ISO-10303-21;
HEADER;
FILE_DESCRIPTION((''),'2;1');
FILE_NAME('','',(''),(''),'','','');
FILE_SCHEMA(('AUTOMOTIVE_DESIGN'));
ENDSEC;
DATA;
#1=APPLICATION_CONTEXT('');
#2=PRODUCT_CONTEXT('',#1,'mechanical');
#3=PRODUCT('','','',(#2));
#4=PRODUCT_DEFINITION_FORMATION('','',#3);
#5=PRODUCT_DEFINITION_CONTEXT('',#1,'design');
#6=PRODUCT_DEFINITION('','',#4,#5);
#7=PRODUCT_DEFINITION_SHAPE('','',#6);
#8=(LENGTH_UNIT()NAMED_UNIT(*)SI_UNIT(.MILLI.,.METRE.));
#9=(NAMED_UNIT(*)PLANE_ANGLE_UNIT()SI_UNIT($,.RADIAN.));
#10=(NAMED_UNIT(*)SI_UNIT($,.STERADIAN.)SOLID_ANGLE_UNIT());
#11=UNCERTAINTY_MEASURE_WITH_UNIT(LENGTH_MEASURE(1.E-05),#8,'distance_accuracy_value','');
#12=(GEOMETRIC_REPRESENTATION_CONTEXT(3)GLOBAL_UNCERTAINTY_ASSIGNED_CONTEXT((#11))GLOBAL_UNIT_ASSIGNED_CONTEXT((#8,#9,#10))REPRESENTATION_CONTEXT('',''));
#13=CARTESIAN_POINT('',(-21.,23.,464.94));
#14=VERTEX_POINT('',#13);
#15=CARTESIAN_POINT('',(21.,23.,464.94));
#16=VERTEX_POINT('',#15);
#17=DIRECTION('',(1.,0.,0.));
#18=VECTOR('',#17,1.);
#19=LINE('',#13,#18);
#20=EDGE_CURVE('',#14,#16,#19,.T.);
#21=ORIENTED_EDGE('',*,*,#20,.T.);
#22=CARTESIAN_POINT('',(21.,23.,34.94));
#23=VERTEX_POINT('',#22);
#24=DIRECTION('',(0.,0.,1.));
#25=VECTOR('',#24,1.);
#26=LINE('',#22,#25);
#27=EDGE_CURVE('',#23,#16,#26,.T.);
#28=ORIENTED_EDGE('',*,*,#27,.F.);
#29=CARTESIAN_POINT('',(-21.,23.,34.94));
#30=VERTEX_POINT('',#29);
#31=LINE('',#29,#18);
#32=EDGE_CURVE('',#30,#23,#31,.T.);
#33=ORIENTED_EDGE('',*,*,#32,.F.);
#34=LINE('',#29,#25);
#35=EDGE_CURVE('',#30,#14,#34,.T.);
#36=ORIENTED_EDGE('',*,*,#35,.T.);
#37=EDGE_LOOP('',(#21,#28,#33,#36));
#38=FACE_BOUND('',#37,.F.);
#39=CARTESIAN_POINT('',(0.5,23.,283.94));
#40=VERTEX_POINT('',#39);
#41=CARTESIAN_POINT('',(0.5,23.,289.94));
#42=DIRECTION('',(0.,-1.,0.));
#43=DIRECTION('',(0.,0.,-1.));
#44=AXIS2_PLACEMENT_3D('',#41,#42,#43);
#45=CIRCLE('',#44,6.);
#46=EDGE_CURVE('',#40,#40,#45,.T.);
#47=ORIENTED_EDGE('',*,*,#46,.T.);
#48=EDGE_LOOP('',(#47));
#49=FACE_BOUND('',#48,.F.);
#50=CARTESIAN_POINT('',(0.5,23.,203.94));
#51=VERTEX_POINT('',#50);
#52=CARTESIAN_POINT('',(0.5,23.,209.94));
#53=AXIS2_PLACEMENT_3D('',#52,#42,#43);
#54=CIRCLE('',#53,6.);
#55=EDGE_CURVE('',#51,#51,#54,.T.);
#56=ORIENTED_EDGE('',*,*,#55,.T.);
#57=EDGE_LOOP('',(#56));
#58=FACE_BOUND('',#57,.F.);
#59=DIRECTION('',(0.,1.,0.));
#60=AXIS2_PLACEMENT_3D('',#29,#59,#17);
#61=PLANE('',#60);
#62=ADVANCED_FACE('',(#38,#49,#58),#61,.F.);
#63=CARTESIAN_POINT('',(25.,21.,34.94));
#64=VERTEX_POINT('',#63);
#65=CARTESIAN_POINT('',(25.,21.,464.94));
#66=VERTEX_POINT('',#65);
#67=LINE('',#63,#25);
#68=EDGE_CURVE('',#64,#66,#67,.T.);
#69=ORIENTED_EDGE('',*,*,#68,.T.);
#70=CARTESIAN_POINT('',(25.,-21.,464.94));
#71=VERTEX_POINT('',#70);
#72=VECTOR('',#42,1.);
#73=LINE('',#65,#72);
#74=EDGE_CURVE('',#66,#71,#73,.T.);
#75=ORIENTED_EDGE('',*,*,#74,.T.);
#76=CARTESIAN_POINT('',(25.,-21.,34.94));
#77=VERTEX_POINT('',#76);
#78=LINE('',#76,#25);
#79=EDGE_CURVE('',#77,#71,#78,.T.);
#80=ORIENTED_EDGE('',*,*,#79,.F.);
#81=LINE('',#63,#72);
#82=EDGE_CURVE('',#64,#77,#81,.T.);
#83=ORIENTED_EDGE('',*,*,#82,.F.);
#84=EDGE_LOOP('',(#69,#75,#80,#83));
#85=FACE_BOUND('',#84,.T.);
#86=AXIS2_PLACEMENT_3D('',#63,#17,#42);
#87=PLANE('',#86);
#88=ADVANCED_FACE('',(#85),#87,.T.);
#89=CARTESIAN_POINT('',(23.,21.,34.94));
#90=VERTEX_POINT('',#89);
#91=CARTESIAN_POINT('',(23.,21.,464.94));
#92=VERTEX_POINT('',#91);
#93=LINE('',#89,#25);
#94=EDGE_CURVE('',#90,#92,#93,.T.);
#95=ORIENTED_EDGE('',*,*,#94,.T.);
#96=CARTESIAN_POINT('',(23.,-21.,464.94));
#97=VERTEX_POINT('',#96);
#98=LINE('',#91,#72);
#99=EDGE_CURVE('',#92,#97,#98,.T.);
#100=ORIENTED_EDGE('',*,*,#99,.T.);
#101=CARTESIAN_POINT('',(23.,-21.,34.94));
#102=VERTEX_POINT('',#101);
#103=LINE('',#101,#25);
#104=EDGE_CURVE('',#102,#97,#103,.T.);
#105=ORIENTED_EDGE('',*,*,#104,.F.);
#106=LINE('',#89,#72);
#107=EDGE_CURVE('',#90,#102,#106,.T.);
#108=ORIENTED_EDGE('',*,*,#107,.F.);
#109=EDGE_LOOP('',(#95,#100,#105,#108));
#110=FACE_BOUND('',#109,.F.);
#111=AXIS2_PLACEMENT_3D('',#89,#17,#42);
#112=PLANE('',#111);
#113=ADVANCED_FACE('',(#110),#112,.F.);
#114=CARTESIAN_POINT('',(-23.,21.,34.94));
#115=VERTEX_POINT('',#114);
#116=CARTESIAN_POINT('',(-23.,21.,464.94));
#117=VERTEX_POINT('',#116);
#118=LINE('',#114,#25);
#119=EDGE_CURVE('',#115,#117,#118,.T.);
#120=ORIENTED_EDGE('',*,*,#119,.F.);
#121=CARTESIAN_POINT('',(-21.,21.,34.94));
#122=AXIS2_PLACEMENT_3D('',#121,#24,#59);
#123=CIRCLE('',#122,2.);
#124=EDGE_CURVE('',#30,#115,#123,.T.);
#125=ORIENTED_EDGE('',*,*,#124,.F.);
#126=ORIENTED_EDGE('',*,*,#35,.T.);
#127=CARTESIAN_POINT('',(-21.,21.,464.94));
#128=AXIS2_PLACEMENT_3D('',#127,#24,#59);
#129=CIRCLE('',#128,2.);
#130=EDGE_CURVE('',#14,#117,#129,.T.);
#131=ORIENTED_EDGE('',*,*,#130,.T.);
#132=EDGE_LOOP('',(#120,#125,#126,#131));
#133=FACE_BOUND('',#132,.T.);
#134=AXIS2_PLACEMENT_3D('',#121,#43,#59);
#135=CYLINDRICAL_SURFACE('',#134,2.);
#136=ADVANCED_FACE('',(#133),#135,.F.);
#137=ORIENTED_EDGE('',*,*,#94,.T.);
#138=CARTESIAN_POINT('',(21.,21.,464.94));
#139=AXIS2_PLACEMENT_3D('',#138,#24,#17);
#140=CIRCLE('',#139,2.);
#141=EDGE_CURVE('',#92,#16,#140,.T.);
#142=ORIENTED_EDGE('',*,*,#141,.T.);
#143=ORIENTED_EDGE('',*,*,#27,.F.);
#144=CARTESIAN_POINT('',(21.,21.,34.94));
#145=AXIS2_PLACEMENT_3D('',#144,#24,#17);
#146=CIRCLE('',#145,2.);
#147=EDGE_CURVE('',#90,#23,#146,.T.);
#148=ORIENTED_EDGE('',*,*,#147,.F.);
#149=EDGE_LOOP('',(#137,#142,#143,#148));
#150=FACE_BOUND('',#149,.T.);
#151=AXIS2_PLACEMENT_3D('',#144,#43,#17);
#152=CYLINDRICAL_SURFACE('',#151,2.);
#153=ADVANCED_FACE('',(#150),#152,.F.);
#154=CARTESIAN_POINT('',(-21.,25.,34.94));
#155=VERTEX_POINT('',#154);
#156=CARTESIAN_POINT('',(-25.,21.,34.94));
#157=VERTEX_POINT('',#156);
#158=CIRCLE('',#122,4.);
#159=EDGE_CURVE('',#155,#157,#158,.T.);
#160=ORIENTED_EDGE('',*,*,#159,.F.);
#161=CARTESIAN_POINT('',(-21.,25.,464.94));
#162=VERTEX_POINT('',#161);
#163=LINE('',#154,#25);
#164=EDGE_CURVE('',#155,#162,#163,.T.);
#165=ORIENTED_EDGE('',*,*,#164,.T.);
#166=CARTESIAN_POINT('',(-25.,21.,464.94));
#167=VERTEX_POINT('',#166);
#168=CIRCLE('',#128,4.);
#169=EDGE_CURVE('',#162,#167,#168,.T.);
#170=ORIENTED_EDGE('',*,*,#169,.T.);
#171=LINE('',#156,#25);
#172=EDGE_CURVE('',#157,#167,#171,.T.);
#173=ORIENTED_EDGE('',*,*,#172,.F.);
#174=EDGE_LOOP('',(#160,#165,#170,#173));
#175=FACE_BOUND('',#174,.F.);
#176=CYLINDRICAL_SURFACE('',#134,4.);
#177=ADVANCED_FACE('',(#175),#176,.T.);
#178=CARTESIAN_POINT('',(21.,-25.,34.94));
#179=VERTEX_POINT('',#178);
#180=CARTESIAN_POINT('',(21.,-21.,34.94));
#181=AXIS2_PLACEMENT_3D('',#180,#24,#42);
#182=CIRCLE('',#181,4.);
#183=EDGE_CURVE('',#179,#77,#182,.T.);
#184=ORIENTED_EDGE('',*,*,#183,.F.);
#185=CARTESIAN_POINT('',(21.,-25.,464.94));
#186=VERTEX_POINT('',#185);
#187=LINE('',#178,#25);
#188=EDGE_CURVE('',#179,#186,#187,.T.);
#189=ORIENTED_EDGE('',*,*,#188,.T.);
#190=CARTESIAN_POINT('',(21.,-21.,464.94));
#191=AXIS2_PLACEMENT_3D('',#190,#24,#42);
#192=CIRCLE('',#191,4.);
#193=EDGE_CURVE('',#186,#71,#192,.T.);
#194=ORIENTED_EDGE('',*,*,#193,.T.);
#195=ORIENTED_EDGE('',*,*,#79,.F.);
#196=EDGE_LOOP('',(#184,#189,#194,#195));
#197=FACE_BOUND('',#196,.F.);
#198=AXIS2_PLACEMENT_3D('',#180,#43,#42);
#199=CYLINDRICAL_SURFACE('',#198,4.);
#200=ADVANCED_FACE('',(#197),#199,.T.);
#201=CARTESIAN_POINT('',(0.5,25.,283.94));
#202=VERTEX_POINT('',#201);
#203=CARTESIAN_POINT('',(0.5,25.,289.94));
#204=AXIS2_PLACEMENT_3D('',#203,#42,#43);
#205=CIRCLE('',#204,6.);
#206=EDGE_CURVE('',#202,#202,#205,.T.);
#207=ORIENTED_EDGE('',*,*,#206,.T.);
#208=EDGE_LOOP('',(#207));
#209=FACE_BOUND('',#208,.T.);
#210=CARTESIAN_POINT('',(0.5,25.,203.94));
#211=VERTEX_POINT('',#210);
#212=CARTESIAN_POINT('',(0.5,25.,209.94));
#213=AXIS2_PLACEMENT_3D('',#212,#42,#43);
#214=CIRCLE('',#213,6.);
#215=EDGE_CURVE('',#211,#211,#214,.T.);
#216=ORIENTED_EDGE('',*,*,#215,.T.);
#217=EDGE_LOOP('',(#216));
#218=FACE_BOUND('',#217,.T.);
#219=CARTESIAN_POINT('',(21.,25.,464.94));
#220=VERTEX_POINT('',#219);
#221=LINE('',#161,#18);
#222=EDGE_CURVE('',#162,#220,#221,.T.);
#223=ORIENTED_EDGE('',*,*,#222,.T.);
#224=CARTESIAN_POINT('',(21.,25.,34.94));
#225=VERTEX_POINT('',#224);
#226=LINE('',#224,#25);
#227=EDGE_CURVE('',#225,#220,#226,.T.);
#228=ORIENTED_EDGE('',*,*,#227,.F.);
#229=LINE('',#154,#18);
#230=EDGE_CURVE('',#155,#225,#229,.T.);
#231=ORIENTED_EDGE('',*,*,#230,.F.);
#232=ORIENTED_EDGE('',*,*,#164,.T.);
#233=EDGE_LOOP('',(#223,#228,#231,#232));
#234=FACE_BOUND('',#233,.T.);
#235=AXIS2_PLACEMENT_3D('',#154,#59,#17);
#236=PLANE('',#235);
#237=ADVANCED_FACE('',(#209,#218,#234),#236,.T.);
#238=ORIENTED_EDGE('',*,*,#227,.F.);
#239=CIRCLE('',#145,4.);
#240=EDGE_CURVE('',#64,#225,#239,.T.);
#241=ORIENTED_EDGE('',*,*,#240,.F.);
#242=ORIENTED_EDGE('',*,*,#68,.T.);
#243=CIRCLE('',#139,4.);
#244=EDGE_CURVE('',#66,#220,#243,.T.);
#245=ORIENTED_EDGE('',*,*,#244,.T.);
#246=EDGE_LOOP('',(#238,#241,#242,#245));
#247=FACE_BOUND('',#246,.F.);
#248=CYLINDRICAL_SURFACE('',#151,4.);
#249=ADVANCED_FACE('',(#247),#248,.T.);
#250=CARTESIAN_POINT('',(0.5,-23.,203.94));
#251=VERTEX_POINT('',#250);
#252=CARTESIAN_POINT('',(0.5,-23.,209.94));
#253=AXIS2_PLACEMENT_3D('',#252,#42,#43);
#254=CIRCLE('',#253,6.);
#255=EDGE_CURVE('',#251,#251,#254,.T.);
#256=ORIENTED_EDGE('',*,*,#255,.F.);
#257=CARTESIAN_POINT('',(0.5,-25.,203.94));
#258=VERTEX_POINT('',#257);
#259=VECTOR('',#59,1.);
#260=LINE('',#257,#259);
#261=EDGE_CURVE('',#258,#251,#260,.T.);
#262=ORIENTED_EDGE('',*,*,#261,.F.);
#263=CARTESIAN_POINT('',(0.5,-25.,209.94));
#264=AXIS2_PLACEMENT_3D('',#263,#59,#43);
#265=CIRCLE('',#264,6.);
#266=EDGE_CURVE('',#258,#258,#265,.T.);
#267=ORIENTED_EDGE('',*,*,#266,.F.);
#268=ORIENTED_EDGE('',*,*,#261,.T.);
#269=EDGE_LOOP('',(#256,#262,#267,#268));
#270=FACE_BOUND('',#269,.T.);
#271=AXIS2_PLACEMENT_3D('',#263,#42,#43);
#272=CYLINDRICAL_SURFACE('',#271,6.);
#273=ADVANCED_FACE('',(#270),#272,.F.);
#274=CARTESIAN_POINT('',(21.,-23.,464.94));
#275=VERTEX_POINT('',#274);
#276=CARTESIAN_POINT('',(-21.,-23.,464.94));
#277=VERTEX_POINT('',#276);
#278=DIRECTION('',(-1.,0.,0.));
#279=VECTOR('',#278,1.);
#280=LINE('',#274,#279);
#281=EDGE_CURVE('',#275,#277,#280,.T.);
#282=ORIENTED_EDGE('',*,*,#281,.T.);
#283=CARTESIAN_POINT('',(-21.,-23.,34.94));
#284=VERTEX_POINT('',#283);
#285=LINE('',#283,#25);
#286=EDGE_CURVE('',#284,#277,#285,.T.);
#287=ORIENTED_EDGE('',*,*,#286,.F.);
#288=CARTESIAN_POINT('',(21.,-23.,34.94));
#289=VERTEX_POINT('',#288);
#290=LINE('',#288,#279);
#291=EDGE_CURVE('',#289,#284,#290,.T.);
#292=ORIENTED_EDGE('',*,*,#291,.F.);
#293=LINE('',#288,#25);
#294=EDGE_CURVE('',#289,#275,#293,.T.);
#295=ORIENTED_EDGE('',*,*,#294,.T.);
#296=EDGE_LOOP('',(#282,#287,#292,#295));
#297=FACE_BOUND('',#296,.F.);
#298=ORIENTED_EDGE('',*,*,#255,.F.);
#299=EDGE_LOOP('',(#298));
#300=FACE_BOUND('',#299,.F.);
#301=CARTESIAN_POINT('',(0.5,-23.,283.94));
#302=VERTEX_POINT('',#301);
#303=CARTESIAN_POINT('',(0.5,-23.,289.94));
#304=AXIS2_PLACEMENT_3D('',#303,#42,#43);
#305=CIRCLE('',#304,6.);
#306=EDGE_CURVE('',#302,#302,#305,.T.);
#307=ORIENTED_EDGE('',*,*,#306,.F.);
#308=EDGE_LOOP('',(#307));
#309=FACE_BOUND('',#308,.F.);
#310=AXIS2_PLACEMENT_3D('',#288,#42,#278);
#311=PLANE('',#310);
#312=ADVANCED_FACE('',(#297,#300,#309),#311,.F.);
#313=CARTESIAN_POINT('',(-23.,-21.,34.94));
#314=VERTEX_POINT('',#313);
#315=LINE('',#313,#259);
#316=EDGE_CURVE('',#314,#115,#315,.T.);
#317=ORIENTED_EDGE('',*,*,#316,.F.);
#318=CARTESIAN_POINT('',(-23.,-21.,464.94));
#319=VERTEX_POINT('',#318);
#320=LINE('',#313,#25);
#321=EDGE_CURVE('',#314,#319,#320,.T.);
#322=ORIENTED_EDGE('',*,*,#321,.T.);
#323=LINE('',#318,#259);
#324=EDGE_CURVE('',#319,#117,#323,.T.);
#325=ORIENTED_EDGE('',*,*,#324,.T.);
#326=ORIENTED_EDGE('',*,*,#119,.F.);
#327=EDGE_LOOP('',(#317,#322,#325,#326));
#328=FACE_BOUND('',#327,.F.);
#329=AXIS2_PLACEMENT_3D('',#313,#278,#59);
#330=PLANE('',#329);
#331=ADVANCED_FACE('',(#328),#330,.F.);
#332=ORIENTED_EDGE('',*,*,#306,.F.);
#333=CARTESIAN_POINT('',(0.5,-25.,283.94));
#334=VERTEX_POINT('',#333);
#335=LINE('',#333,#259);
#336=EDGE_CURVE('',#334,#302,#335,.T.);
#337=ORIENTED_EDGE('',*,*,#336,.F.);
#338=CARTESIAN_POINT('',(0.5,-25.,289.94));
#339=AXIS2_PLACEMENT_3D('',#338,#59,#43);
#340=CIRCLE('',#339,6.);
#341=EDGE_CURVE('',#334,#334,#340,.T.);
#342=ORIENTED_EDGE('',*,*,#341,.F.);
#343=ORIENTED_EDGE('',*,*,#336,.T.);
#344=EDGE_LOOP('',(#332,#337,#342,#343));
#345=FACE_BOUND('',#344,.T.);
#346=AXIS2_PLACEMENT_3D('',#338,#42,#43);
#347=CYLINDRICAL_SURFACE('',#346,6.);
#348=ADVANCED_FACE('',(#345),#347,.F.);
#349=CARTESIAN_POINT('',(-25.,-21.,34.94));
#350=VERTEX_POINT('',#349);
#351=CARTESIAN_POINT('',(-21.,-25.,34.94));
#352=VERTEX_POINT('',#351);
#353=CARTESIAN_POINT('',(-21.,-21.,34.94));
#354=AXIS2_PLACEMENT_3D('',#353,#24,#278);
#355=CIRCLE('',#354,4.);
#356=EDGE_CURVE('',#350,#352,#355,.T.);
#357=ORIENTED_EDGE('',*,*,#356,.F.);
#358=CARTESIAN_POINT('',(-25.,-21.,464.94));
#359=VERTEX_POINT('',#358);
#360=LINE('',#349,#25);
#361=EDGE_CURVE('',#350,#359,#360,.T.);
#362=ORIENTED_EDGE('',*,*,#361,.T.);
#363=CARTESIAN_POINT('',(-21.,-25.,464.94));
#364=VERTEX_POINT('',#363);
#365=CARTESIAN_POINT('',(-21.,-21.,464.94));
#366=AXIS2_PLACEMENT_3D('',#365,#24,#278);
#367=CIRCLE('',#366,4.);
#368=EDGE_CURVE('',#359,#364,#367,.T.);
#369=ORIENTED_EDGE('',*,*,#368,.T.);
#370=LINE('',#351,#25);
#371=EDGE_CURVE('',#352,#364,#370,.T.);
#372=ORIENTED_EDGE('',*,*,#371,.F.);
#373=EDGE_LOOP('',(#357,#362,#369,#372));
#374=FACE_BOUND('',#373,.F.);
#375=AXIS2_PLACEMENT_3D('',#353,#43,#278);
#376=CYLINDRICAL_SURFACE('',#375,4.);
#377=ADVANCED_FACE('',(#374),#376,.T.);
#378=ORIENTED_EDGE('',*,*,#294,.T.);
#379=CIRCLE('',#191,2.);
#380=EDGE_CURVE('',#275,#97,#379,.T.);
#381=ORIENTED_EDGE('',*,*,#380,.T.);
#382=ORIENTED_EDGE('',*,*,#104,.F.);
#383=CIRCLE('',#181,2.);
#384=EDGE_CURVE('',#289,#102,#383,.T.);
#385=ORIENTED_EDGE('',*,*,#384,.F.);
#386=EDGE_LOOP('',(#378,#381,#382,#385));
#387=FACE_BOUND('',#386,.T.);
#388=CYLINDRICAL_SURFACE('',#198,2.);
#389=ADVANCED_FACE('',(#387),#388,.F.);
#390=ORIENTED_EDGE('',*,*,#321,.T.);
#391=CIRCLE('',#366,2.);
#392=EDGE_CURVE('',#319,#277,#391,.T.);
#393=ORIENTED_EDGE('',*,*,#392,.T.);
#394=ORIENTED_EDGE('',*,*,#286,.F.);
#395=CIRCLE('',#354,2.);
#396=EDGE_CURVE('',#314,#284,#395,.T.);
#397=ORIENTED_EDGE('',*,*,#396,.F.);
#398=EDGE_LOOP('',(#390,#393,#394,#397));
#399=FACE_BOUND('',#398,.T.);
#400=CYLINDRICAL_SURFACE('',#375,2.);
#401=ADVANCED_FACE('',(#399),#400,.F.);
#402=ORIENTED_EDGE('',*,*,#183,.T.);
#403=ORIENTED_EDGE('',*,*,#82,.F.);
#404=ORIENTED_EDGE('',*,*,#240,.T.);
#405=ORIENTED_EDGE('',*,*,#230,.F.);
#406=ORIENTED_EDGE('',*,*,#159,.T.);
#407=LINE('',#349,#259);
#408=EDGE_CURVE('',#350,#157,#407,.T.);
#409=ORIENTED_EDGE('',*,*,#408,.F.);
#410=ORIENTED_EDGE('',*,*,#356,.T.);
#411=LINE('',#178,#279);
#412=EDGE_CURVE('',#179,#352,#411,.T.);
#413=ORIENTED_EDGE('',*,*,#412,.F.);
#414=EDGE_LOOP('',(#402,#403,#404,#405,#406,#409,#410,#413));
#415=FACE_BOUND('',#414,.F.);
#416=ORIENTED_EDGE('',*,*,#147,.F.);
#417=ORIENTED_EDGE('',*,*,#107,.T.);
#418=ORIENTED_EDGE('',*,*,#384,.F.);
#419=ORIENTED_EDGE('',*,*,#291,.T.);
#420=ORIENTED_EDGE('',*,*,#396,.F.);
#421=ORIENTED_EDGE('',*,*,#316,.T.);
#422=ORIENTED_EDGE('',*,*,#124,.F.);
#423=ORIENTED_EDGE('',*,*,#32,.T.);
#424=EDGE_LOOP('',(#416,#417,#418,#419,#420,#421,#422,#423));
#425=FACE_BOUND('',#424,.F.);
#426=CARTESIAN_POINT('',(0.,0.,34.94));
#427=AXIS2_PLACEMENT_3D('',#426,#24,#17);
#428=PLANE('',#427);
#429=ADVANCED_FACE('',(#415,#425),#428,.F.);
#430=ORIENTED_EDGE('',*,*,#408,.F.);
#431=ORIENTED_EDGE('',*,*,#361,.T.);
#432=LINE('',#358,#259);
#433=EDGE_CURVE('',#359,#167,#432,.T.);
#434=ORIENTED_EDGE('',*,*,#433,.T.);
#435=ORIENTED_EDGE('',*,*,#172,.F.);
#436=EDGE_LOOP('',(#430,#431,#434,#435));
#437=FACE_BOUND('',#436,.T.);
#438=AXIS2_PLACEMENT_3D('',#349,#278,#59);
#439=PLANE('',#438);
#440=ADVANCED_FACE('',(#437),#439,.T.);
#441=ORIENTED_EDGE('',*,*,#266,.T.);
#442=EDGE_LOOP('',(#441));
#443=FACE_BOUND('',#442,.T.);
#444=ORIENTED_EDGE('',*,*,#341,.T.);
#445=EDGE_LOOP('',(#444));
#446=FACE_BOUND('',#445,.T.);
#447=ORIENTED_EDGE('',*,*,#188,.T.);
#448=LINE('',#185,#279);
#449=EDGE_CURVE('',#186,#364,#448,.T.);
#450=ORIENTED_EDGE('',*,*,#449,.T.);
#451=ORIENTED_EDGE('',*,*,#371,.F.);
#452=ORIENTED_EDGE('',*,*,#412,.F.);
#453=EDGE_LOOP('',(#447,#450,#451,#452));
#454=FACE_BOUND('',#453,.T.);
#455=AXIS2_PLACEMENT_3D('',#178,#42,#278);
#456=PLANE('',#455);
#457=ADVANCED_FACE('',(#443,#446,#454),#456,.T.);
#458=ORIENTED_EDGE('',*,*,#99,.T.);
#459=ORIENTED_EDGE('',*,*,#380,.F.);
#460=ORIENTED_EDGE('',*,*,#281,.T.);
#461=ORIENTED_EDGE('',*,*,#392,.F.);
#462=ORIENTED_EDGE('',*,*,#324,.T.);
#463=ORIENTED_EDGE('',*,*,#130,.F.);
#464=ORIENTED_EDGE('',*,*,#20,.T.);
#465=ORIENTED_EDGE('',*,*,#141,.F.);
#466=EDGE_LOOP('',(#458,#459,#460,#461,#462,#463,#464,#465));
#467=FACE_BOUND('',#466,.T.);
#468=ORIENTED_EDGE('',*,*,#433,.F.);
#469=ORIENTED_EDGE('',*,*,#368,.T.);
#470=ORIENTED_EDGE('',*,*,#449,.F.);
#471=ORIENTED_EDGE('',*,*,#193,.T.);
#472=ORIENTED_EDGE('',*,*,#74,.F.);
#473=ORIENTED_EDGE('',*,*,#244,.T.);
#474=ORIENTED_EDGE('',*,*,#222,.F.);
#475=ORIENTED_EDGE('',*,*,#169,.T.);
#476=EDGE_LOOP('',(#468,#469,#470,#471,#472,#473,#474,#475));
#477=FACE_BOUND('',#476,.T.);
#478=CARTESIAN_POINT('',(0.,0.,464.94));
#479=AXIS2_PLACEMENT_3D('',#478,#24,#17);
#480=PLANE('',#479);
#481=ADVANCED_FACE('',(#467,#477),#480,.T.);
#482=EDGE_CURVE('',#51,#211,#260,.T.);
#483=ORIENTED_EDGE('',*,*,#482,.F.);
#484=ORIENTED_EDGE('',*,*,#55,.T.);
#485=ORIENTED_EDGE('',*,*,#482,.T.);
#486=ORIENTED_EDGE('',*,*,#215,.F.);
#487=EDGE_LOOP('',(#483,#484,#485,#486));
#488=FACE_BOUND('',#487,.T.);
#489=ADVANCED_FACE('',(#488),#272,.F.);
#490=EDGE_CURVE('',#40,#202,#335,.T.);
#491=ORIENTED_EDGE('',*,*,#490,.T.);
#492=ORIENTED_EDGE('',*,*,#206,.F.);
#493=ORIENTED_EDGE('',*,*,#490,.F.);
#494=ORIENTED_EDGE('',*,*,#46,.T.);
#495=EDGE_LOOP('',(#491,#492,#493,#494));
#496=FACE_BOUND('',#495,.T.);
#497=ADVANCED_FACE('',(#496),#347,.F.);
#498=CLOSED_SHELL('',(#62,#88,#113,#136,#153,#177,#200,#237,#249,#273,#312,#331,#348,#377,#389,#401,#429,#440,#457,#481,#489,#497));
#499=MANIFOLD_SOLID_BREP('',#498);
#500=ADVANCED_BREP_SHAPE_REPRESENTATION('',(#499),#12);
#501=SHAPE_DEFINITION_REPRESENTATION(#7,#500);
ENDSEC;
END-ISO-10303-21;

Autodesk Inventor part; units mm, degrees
ref_plane "Start Plane" through (0, 0, 34.94) normal (0, 0, 1) x (1, 0, 0)
ref_plane "End Plane" through (0, 0, 464.94) normal (0, 0, 1) x (1, 0, 0)
sketch "Sketch" plane through (0, 0, 0) normal (0, 0, 1) x (1, 0, 0)
  line L0 (-25, -21) -> (-25, 21)
  line L1 (-21, 25) -> (21, 25)
  line L2 (25, 21) -> (25, -21)
  line L3 (21, -25) -> (-21, -25)
  arc A0 (-25, -21) -> (-21, -25) centre (-21, -21) ccw
  arc A1 (25, 21) -> (21, 25) centre (21, 21) ccw
  arc A2 (-21, 25) -> (-25, 21) centre (-21, 21) ccw
  arc A3 (21, -25) -> (25, -21) centre (21, -21) ccw
  arc A4 (-21, 23) -> (-23, 21) centre (-21, 21) ccw
  line L4 (-21, 23) -> (21, 23)
  arc A5 (23, 21) -> (21, 23) centre (21, 21) ccw
  line L5 (23, 21) -> (23, -21)
  arc A6 (21, -23) -> (23, -21) centre (21, -21) ccw
  line L6 (21, -23) -> (-21, -23)
  arc A7 (-23, -21) -> (-21, -23) centre (-21, -21) ccw
  line L7 (-23, -21) -> (-23, 21)
  line L8 (0, 36.1598) -> (0, -36.1598) construction
  line L9 (-36.1598, 0) -> (36.1598, 0) construction
  dimension "d7" = 4
  dimension "d9" = 50
  dimension "d11" = 50
  dimension "d12" = 2
  dimension "d15" = 25
  dimension "d16" = 25
extrude "Body" add sketch "Sketch" along normal up to surface (430 mm away) from surface at 34.94
sketch "Sketch3" plane through (0, 0, 0) normal (0, 0, 1) x (1, 0, 0)
  line L0 (0, 0) -> (10, 0)
ref_plane "Work Plane3" through (0, 0, 0) normal (0, -1, 0) x (1, 0, 0)
sketch "Sketch4" plane through (0, 0, 0) normal (0, -1, 0) x (1, 0, 0)
  line L0 (-2, 34.94) -> (12, 34.94)
  line L1 (-2, 464.94) -> (12, 464.94)
  dimension "d18" = 430
ref_plane "Work Plane4" through (1040, 29, 34.94) normal (0, 0, -1) x (-1, 0, 0)
split "Split1" plane through (1040, 29, 34.94) removes the side toward (0, 0, -1)
ref_plane "Work Plane5" through (-1270, 29, 464.94) normal (0, 0, 1) x (1, 0, 0)
split "Split2" plane through (-1270, 29, 464.94) removes the side toward (0, 0, 1)
ref_plane "Work Plane9" through (-114.5, -25, 249.94) normal (0, 1, 0) x (0, 0, -1)
sketch "Sketch5" plane through (-114.5, -25, 249.94) normal (0, 1, 0) x (0, 0, -1)
  circle A0 centre (40, -115) radius 6 projected
  circle A1 centre (-40, -115) radius 6 projected
  point P0 (249.94, -114.5)
extrude "Extrusion2" cut sketch "Sketch5" along normal through all
equation "\"d7\" = G_IR"
equation "\"d9\" = G_W"
equation "\"d11\" = G_H"
equation "\"d12\" = G_T"
equation "\"d15\" = 0.5 * d9"
equation "\"d16\" = 0.5 * d11"
equation "\"d3\" = G_L"
equation "\"G_W\" = 50"
equation "\"G_H\" = 50"
equation "\"G_T\" = 2"
equation "\"G_IR\" = 4"
equation "\"G_L\" = d18"
equation "\"G_OFFSET_START\" = -34.94003"
equation "\"G_OFFSET_END\" = -35.05997"
equation "\"d13\" = -G_OFFSET_START"
equation "\"d14\" = G_OFFSET_END + B_L"
equation "\"B_L\" = 500"
properties part number "ISO 10799-2 - 50x50x2 - 430" material "Steel, Galvanized"
